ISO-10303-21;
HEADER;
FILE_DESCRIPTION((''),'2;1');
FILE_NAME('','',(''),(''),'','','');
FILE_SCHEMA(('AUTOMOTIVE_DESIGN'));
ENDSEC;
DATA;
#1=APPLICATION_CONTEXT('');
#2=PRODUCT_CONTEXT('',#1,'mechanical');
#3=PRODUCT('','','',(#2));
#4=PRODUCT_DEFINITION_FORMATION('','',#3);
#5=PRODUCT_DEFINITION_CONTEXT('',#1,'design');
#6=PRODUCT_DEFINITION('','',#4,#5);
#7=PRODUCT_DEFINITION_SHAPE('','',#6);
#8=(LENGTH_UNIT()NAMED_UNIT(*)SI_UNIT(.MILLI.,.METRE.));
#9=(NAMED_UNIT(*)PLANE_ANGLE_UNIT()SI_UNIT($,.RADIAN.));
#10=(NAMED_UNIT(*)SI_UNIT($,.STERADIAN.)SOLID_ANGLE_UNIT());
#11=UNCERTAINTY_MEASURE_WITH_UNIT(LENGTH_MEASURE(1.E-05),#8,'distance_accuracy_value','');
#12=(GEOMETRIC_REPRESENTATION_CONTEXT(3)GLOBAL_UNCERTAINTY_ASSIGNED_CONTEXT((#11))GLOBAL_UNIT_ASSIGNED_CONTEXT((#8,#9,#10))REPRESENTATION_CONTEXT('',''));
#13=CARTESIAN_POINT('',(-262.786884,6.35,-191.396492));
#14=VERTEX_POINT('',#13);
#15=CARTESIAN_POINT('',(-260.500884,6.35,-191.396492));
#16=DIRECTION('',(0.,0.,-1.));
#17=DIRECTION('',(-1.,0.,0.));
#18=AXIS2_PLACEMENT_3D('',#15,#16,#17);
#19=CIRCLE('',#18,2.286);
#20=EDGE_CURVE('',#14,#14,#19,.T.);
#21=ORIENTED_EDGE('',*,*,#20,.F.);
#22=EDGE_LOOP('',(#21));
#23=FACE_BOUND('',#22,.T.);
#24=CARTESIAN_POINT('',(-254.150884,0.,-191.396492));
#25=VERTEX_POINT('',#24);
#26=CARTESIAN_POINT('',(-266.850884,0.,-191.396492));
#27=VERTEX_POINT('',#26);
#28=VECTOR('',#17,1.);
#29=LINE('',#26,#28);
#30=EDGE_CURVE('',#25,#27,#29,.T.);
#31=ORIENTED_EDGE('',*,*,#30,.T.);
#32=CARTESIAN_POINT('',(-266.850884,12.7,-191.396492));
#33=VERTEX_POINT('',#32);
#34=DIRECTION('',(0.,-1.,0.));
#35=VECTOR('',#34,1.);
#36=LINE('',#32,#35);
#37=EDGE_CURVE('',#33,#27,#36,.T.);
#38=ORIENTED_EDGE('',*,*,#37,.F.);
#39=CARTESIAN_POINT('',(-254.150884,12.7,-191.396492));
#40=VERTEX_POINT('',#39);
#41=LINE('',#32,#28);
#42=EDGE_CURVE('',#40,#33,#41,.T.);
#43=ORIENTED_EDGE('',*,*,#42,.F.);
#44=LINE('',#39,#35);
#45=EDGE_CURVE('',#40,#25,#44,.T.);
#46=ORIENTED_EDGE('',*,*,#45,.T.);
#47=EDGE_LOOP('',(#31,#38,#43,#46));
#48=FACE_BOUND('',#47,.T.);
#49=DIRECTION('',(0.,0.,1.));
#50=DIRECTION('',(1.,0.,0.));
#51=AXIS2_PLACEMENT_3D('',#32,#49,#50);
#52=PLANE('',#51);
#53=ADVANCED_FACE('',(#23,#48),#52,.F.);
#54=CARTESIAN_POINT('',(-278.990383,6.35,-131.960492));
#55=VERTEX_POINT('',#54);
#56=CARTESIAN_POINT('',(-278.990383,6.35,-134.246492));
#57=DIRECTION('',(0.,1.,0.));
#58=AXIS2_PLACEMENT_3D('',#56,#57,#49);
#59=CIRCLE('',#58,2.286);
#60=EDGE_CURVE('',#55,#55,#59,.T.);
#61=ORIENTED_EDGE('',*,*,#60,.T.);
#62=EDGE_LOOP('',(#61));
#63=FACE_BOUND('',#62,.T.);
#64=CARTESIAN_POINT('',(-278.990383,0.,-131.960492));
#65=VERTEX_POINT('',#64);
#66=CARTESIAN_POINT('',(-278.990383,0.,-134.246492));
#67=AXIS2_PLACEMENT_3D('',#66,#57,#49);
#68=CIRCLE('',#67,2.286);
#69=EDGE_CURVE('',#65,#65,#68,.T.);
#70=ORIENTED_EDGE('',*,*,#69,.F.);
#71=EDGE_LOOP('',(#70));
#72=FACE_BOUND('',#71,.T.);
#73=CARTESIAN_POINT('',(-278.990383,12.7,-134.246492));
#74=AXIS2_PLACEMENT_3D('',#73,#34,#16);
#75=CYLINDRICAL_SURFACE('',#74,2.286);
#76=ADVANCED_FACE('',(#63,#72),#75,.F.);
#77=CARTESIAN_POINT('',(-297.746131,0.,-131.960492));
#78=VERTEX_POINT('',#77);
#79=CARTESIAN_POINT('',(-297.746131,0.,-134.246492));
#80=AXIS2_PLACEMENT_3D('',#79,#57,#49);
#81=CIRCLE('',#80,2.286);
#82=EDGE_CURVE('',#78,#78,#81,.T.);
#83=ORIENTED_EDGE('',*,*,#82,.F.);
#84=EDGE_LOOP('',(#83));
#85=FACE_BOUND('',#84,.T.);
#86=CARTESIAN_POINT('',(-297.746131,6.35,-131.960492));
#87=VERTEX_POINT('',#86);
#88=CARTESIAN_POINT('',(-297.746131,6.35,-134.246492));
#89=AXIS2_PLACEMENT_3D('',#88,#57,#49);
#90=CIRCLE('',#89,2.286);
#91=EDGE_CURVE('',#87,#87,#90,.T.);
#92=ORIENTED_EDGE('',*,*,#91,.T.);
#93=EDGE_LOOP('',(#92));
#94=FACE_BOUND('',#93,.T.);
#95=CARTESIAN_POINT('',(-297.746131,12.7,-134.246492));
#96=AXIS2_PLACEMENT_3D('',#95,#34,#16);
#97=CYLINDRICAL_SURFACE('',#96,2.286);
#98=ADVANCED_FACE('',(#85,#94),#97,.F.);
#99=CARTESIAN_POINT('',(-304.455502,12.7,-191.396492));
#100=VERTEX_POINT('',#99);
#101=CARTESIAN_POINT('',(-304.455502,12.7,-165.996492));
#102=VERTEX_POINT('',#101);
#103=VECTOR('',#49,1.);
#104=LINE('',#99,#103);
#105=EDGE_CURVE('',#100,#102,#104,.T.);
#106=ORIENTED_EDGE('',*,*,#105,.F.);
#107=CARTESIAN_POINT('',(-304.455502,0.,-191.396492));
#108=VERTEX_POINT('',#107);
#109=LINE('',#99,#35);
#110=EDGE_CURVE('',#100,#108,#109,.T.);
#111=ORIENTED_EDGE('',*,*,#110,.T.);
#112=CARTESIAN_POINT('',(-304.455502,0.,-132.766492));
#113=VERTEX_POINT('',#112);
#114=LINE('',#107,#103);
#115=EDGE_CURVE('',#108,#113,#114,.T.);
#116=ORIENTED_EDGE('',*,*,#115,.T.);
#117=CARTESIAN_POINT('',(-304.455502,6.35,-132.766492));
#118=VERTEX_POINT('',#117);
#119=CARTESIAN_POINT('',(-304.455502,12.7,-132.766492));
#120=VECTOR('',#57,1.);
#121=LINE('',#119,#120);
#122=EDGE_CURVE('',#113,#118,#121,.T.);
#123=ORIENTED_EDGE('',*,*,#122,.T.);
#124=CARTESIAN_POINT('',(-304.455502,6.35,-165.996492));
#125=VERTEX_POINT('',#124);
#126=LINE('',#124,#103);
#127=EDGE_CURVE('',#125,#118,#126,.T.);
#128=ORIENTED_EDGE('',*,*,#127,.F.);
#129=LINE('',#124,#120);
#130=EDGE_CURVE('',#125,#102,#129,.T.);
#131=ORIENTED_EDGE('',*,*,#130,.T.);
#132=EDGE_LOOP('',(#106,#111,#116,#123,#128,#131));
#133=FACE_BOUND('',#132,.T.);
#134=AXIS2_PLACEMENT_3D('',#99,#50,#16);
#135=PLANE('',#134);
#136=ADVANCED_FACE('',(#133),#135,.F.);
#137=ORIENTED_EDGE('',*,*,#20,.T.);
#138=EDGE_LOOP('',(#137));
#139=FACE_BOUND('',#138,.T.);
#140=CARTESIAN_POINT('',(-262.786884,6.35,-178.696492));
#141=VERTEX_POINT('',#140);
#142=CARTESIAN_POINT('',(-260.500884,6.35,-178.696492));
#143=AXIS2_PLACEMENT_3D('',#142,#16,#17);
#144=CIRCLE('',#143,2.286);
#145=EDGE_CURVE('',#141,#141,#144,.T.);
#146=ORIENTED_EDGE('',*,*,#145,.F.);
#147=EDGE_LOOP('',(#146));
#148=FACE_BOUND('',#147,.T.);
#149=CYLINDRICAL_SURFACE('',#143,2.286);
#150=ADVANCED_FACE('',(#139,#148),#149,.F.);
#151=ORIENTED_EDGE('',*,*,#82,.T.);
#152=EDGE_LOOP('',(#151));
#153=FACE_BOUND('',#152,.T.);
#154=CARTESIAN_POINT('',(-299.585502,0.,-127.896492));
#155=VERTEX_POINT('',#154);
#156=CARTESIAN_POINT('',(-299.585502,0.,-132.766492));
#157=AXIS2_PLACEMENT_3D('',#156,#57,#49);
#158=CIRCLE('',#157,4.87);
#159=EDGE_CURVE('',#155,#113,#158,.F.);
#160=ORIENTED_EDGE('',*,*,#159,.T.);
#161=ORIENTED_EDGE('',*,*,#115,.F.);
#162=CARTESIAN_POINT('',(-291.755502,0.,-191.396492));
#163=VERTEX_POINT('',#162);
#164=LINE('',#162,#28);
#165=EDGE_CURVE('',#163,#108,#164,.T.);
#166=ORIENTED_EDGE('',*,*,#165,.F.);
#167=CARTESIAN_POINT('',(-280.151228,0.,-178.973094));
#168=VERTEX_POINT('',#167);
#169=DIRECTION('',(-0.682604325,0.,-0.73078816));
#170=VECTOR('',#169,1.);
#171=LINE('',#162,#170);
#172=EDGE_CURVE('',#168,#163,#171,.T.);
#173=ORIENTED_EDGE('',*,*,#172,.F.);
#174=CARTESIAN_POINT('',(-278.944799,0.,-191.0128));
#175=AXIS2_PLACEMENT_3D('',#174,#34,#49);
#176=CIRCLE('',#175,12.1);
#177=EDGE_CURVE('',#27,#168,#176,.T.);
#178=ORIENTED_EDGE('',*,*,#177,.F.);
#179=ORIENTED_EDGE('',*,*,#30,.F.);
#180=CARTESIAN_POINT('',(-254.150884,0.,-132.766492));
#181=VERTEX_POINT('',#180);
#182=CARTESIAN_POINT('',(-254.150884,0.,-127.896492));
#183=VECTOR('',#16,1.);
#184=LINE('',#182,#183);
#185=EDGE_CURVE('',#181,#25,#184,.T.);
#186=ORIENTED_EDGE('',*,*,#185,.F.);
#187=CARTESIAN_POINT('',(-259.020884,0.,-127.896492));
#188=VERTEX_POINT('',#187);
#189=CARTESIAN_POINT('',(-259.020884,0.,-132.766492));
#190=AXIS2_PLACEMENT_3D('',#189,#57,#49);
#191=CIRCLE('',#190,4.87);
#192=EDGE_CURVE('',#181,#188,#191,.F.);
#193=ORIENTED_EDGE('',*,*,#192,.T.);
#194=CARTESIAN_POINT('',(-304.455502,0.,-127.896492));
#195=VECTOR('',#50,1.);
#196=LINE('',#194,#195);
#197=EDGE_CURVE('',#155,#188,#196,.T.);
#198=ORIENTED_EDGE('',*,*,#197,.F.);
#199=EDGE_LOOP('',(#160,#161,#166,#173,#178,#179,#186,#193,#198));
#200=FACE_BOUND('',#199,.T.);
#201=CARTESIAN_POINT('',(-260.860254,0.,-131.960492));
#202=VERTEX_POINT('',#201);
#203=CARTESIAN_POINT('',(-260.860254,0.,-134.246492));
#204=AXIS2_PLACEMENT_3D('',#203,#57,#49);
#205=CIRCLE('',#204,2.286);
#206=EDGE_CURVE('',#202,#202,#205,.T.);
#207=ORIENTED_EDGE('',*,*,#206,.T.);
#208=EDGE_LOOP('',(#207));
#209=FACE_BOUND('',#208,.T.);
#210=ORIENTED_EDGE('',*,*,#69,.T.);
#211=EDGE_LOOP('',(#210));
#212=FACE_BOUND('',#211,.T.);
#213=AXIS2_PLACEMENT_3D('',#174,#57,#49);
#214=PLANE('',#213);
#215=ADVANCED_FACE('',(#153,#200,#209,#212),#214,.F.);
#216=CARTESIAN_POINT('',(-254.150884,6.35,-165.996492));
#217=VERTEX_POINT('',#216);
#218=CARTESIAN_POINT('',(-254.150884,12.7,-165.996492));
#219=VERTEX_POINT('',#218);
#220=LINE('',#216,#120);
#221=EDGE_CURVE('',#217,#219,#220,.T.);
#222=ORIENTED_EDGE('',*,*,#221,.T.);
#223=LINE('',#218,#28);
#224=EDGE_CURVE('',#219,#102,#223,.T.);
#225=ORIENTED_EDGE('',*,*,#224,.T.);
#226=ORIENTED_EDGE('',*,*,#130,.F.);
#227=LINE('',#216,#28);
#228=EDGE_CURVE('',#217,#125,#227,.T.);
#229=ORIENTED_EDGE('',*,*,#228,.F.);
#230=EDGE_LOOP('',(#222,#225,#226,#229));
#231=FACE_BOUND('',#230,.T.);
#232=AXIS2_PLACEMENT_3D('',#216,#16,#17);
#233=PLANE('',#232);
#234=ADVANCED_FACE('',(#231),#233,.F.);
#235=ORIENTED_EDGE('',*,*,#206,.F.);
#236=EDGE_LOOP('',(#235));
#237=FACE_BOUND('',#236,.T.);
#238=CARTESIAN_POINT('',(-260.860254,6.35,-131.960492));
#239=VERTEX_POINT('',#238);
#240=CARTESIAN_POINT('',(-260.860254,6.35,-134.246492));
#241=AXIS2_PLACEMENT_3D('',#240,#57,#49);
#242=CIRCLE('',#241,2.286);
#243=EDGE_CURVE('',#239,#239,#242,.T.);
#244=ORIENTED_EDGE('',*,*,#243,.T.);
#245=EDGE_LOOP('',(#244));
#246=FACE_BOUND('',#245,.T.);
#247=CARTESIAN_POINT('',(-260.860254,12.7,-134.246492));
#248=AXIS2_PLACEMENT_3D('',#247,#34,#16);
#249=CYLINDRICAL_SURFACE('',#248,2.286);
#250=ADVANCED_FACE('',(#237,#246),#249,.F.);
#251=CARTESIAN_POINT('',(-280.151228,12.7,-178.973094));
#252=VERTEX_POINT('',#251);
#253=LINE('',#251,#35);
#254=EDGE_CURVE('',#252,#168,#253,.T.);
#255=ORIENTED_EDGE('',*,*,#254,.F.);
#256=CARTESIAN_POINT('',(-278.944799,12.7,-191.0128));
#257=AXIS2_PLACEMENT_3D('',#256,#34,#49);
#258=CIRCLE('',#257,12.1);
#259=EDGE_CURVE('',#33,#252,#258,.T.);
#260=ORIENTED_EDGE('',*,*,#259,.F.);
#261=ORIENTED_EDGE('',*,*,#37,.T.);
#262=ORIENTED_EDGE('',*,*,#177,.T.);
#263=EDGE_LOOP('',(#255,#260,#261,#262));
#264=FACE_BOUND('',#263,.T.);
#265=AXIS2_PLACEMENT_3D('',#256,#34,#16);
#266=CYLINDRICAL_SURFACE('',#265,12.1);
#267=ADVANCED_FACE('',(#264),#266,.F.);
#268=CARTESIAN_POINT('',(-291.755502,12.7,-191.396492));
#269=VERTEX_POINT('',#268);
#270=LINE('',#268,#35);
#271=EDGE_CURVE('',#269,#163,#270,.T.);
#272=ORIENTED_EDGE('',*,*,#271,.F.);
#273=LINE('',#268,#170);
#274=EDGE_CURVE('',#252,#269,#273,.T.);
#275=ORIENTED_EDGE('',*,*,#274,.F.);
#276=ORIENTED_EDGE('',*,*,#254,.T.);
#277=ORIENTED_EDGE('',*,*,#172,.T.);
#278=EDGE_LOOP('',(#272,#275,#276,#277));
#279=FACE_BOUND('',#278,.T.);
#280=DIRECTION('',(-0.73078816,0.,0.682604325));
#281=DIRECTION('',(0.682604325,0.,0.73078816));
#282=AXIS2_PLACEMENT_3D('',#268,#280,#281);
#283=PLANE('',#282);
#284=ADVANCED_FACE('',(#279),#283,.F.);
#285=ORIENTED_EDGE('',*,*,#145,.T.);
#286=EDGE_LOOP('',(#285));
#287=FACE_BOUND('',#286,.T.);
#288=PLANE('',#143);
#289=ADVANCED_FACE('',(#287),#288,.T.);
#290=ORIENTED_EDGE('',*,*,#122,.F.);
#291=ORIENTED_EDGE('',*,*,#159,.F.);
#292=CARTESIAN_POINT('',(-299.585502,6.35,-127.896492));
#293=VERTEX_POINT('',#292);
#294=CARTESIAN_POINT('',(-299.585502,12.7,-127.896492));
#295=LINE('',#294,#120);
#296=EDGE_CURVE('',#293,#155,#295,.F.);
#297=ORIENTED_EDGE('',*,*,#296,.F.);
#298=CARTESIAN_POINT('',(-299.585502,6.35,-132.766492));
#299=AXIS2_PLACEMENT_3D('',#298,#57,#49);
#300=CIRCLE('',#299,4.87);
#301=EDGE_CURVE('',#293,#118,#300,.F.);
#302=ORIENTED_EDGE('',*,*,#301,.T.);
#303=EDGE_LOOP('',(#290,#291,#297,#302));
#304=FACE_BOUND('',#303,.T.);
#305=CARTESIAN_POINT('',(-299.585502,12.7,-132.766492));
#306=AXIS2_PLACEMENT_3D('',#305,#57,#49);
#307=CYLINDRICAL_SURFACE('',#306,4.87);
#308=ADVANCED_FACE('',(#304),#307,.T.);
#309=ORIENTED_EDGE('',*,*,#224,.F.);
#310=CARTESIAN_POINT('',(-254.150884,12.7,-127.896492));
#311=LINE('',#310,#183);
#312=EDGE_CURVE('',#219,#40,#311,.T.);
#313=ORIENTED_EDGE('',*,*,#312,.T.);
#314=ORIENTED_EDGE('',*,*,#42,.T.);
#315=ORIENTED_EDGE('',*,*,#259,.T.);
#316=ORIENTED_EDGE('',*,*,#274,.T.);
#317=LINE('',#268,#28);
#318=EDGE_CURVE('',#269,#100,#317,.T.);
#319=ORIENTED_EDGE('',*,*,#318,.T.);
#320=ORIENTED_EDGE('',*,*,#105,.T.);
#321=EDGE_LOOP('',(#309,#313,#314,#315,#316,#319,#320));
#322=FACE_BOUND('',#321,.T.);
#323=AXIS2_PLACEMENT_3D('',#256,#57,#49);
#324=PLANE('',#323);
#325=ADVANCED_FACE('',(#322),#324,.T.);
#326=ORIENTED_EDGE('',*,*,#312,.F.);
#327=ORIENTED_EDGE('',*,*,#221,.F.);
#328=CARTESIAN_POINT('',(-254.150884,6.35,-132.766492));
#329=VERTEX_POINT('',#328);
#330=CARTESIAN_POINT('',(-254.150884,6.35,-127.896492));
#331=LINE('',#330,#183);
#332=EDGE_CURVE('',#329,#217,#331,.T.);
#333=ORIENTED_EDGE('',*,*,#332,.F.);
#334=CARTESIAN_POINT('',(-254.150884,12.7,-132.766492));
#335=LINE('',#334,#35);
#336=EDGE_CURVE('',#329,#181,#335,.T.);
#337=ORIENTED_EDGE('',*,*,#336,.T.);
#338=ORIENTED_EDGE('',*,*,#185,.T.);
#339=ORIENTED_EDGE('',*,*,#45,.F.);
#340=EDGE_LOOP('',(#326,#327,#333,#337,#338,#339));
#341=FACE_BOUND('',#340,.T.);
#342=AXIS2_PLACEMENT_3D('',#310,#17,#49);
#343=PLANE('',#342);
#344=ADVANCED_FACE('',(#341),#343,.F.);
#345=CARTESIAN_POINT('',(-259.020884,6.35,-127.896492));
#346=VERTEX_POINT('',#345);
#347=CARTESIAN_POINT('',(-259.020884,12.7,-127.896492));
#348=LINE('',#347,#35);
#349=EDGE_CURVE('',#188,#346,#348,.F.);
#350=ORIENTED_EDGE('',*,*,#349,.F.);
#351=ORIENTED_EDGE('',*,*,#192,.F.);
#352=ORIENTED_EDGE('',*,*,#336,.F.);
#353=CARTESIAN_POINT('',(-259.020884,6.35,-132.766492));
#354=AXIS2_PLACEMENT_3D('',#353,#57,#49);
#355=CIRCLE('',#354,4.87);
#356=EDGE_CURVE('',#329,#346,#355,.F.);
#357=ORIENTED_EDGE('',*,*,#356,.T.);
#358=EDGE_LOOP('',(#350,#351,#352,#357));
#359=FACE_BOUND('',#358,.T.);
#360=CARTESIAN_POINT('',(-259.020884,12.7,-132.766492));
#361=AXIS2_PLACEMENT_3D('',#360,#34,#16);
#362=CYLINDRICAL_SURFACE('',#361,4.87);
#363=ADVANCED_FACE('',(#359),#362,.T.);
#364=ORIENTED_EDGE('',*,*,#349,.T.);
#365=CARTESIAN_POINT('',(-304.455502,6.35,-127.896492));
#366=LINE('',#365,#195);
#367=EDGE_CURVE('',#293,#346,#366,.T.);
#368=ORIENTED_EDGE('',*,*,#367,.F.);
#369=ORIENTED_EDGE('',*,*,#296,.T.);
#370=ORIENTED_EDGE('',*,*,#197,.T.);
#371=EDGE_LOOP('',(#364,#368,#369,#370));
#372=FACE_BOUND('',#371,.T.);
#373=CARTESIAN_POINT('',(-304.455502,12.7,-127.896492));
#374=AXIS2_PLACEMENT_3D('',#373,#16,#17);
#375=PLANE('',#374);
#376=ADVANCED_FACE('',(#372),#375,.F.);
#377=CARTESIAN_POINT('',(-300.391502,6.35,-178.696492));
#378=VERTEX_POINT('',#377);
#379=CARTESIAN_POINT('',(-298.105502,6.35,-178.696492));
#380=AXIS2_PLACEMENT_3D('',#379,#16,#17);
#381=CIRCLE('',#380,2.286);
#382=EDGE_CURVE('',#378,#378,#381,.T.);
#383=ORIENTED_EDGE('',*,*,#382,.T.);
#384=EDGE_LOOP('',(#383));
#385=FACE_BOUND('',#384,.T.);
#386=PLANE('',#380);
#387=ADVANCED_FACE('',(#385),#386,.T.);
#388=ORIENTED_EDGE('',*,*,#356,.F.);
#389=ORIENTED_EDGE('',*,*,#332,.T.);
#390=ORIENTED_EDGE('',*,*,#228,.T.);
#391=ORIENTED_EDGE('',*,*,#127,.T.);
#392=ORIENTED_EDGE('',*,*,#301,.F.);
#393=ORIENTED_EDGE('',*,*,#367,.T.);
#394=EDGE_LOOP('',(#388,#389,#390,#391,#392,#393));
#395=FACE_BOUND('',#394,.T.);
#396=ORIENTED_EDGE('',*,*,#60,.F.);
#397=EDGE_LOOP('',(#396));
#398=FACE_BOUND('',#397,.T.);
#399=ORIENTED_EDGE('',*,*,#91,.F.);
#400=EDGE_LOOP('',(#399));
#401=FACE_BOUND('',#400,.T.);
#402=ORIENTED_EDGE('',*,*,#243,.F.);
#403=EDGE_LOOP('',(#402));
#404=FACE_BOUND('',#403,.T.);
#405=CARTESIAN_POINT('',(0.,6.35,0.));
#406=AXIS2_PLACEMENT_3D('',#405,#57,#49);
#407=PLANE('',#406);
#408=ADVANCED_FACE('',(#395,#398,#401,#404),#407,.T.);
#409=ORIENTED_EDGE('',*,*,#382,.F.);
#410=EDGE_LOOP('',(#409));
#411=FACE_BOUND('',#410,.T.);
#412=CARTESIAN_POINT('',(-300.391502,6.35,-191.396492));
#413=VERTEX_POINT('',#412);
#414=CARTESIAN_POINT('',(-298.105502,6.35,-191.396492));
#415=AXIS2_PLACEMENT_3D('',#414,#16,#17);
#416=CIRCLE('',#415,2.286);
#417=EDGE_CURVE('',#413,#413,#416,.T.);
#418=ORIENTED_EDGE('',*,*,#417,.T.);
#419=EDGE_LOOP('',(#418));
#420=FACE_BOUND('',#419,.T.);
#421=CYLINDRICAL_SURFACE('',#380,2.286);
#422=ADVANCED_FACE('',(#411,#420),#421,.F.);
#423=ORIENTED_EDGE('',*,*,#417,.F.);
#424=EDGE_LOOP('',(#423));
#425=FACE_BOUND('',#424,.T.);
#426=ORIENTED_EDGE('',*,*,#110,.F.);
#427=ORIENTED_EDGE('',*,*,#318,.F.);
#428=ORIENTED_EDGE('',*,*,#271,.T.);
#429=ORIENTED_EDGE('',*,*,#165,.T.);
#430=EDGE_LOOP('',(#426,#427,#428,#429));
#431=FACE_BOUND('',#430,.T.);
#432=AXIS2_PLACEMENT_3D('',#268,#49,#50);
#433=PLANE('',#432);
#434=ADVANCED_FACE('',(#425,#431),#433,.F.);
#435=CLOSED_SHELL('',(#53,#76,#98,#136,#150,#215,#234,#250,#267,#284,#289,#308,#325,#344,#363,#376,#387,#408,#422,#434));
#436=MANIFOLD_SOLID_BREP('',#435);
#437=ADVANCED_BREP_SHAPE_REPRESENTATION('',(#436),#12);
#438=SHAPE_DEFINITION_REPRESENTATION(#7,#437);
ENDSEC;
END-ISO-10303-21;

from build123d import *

# Parameters (mm, degrees)
SKETCH1_R           = 2.286
BOSS_EXTRUDE1_DEPTH = 12.7
SKETCH5_R           = 2.286
CUT_EXTRUDE3_DEPTH  = 12.7
FILLET1_R           = 4.87
FILLET2_R           = 4.87
SKETCH7_W           = 50.304618045
SKETCH7_H           = 38.1
CUT_EXTRUDE4_DEPTH  = 6.35


with BuildPart() as part:
    # Sketch1 → Boss-Extrude1 (new body)
    with BuildSketch(Plane(origin=(0, 0, 0), x_dir=(1, 0, 0), z_dir=(0, 1, 0))):
        with BuildLine():
            Line((-291.755501553, 191.396492393), (-280.151228022, 178.973093671))
            ThreePointArc((-280.151228022, 178.973093671), (-270.685286175, 182.170263236), (-266.850883508, 191.396492393))
            Line((-266.850883508, 191.396492393), (-254.150883508, 191.396492393))
            Line((-254.150883508, 191.396492393), (-254.150883508, 127.896492393))
            Line((-254.150883508, 127.896492393), (-304.455501553, 127.896492393))
            Line((-304.455501553, 127.896492393), (-304.455501553, 191.396492393))
            Line((-304.455501553, 191.396492393), (-291.755501553, 191.396492393))
        make_face()
        with Locations(Location((-297.746130931, 134.246492393, 0), (0, 0, 270))):
            Circle(SKETCH1_R, mode=Mode.SUBTRACT)
        with Locations(Location((-278.990383135, 134.246492393, 0), (0, 0, 270))):
            Circle(SKETCH1_R, mode=Mode.SUBTRACT)
        with Locations(Location((-260.86025413, 134.246492393, 0), (0, 0, 270))):
            Circle(SKETCH1_R, mode=Mode.SUBTRACT)
    extrude(amount=BOSS_EXTRUDE1_DEPTH)

    # Sketch5 → Cut-Extrude3 (cut)
    with BuildSketch(Plane(origin=(0, 0, -191.396492393), x_dir=(-1, 0, 0), z_dir=(0, 0, -1))):
        with Locations((260.500883508, 6.35)):
            Circle(SKETCH5_R)
        with Locations((298.105501553, 6.35)):
            Circle(SKETCH5_R)
    extrude(amount=-CUT_EXTRUDE3_DEPTH, mode=Mode.SUBTRACT)

    # Fillet1
    fillet1_edges = [part.edges().sort_by_distance(p)[0] for p in [
        (-304.455501553, 6.35, -127.896492393),
    ]]
    fillet(fillet1_edges, radius=FILLET1_R)

    # Fillet2
    fillet2_edges = [part.edges().sort_by_distance(p)[0] for p in [
        (-254.150883508, 6.35, -127.896492393),
    ]]
    fillet(fillet2_edges, radius=FILLET2_R)

    # Sketch7 → Cut-Extrude4 (cut)
    with BuildSketch(Plane(origin=(0, 12.7, 0), x_dir=(1, 0, 0), z_dir=(0, 1, 0))):
        with Locations((-279.303192531, 146.946492393)):
            Rectangle(SKETCH7_W, SKETCH7_H)
    extrude(amount=-CUT_EXTRUDE4_DEPTH, mode=Mode.SUBTRACT)


solid = part.part
